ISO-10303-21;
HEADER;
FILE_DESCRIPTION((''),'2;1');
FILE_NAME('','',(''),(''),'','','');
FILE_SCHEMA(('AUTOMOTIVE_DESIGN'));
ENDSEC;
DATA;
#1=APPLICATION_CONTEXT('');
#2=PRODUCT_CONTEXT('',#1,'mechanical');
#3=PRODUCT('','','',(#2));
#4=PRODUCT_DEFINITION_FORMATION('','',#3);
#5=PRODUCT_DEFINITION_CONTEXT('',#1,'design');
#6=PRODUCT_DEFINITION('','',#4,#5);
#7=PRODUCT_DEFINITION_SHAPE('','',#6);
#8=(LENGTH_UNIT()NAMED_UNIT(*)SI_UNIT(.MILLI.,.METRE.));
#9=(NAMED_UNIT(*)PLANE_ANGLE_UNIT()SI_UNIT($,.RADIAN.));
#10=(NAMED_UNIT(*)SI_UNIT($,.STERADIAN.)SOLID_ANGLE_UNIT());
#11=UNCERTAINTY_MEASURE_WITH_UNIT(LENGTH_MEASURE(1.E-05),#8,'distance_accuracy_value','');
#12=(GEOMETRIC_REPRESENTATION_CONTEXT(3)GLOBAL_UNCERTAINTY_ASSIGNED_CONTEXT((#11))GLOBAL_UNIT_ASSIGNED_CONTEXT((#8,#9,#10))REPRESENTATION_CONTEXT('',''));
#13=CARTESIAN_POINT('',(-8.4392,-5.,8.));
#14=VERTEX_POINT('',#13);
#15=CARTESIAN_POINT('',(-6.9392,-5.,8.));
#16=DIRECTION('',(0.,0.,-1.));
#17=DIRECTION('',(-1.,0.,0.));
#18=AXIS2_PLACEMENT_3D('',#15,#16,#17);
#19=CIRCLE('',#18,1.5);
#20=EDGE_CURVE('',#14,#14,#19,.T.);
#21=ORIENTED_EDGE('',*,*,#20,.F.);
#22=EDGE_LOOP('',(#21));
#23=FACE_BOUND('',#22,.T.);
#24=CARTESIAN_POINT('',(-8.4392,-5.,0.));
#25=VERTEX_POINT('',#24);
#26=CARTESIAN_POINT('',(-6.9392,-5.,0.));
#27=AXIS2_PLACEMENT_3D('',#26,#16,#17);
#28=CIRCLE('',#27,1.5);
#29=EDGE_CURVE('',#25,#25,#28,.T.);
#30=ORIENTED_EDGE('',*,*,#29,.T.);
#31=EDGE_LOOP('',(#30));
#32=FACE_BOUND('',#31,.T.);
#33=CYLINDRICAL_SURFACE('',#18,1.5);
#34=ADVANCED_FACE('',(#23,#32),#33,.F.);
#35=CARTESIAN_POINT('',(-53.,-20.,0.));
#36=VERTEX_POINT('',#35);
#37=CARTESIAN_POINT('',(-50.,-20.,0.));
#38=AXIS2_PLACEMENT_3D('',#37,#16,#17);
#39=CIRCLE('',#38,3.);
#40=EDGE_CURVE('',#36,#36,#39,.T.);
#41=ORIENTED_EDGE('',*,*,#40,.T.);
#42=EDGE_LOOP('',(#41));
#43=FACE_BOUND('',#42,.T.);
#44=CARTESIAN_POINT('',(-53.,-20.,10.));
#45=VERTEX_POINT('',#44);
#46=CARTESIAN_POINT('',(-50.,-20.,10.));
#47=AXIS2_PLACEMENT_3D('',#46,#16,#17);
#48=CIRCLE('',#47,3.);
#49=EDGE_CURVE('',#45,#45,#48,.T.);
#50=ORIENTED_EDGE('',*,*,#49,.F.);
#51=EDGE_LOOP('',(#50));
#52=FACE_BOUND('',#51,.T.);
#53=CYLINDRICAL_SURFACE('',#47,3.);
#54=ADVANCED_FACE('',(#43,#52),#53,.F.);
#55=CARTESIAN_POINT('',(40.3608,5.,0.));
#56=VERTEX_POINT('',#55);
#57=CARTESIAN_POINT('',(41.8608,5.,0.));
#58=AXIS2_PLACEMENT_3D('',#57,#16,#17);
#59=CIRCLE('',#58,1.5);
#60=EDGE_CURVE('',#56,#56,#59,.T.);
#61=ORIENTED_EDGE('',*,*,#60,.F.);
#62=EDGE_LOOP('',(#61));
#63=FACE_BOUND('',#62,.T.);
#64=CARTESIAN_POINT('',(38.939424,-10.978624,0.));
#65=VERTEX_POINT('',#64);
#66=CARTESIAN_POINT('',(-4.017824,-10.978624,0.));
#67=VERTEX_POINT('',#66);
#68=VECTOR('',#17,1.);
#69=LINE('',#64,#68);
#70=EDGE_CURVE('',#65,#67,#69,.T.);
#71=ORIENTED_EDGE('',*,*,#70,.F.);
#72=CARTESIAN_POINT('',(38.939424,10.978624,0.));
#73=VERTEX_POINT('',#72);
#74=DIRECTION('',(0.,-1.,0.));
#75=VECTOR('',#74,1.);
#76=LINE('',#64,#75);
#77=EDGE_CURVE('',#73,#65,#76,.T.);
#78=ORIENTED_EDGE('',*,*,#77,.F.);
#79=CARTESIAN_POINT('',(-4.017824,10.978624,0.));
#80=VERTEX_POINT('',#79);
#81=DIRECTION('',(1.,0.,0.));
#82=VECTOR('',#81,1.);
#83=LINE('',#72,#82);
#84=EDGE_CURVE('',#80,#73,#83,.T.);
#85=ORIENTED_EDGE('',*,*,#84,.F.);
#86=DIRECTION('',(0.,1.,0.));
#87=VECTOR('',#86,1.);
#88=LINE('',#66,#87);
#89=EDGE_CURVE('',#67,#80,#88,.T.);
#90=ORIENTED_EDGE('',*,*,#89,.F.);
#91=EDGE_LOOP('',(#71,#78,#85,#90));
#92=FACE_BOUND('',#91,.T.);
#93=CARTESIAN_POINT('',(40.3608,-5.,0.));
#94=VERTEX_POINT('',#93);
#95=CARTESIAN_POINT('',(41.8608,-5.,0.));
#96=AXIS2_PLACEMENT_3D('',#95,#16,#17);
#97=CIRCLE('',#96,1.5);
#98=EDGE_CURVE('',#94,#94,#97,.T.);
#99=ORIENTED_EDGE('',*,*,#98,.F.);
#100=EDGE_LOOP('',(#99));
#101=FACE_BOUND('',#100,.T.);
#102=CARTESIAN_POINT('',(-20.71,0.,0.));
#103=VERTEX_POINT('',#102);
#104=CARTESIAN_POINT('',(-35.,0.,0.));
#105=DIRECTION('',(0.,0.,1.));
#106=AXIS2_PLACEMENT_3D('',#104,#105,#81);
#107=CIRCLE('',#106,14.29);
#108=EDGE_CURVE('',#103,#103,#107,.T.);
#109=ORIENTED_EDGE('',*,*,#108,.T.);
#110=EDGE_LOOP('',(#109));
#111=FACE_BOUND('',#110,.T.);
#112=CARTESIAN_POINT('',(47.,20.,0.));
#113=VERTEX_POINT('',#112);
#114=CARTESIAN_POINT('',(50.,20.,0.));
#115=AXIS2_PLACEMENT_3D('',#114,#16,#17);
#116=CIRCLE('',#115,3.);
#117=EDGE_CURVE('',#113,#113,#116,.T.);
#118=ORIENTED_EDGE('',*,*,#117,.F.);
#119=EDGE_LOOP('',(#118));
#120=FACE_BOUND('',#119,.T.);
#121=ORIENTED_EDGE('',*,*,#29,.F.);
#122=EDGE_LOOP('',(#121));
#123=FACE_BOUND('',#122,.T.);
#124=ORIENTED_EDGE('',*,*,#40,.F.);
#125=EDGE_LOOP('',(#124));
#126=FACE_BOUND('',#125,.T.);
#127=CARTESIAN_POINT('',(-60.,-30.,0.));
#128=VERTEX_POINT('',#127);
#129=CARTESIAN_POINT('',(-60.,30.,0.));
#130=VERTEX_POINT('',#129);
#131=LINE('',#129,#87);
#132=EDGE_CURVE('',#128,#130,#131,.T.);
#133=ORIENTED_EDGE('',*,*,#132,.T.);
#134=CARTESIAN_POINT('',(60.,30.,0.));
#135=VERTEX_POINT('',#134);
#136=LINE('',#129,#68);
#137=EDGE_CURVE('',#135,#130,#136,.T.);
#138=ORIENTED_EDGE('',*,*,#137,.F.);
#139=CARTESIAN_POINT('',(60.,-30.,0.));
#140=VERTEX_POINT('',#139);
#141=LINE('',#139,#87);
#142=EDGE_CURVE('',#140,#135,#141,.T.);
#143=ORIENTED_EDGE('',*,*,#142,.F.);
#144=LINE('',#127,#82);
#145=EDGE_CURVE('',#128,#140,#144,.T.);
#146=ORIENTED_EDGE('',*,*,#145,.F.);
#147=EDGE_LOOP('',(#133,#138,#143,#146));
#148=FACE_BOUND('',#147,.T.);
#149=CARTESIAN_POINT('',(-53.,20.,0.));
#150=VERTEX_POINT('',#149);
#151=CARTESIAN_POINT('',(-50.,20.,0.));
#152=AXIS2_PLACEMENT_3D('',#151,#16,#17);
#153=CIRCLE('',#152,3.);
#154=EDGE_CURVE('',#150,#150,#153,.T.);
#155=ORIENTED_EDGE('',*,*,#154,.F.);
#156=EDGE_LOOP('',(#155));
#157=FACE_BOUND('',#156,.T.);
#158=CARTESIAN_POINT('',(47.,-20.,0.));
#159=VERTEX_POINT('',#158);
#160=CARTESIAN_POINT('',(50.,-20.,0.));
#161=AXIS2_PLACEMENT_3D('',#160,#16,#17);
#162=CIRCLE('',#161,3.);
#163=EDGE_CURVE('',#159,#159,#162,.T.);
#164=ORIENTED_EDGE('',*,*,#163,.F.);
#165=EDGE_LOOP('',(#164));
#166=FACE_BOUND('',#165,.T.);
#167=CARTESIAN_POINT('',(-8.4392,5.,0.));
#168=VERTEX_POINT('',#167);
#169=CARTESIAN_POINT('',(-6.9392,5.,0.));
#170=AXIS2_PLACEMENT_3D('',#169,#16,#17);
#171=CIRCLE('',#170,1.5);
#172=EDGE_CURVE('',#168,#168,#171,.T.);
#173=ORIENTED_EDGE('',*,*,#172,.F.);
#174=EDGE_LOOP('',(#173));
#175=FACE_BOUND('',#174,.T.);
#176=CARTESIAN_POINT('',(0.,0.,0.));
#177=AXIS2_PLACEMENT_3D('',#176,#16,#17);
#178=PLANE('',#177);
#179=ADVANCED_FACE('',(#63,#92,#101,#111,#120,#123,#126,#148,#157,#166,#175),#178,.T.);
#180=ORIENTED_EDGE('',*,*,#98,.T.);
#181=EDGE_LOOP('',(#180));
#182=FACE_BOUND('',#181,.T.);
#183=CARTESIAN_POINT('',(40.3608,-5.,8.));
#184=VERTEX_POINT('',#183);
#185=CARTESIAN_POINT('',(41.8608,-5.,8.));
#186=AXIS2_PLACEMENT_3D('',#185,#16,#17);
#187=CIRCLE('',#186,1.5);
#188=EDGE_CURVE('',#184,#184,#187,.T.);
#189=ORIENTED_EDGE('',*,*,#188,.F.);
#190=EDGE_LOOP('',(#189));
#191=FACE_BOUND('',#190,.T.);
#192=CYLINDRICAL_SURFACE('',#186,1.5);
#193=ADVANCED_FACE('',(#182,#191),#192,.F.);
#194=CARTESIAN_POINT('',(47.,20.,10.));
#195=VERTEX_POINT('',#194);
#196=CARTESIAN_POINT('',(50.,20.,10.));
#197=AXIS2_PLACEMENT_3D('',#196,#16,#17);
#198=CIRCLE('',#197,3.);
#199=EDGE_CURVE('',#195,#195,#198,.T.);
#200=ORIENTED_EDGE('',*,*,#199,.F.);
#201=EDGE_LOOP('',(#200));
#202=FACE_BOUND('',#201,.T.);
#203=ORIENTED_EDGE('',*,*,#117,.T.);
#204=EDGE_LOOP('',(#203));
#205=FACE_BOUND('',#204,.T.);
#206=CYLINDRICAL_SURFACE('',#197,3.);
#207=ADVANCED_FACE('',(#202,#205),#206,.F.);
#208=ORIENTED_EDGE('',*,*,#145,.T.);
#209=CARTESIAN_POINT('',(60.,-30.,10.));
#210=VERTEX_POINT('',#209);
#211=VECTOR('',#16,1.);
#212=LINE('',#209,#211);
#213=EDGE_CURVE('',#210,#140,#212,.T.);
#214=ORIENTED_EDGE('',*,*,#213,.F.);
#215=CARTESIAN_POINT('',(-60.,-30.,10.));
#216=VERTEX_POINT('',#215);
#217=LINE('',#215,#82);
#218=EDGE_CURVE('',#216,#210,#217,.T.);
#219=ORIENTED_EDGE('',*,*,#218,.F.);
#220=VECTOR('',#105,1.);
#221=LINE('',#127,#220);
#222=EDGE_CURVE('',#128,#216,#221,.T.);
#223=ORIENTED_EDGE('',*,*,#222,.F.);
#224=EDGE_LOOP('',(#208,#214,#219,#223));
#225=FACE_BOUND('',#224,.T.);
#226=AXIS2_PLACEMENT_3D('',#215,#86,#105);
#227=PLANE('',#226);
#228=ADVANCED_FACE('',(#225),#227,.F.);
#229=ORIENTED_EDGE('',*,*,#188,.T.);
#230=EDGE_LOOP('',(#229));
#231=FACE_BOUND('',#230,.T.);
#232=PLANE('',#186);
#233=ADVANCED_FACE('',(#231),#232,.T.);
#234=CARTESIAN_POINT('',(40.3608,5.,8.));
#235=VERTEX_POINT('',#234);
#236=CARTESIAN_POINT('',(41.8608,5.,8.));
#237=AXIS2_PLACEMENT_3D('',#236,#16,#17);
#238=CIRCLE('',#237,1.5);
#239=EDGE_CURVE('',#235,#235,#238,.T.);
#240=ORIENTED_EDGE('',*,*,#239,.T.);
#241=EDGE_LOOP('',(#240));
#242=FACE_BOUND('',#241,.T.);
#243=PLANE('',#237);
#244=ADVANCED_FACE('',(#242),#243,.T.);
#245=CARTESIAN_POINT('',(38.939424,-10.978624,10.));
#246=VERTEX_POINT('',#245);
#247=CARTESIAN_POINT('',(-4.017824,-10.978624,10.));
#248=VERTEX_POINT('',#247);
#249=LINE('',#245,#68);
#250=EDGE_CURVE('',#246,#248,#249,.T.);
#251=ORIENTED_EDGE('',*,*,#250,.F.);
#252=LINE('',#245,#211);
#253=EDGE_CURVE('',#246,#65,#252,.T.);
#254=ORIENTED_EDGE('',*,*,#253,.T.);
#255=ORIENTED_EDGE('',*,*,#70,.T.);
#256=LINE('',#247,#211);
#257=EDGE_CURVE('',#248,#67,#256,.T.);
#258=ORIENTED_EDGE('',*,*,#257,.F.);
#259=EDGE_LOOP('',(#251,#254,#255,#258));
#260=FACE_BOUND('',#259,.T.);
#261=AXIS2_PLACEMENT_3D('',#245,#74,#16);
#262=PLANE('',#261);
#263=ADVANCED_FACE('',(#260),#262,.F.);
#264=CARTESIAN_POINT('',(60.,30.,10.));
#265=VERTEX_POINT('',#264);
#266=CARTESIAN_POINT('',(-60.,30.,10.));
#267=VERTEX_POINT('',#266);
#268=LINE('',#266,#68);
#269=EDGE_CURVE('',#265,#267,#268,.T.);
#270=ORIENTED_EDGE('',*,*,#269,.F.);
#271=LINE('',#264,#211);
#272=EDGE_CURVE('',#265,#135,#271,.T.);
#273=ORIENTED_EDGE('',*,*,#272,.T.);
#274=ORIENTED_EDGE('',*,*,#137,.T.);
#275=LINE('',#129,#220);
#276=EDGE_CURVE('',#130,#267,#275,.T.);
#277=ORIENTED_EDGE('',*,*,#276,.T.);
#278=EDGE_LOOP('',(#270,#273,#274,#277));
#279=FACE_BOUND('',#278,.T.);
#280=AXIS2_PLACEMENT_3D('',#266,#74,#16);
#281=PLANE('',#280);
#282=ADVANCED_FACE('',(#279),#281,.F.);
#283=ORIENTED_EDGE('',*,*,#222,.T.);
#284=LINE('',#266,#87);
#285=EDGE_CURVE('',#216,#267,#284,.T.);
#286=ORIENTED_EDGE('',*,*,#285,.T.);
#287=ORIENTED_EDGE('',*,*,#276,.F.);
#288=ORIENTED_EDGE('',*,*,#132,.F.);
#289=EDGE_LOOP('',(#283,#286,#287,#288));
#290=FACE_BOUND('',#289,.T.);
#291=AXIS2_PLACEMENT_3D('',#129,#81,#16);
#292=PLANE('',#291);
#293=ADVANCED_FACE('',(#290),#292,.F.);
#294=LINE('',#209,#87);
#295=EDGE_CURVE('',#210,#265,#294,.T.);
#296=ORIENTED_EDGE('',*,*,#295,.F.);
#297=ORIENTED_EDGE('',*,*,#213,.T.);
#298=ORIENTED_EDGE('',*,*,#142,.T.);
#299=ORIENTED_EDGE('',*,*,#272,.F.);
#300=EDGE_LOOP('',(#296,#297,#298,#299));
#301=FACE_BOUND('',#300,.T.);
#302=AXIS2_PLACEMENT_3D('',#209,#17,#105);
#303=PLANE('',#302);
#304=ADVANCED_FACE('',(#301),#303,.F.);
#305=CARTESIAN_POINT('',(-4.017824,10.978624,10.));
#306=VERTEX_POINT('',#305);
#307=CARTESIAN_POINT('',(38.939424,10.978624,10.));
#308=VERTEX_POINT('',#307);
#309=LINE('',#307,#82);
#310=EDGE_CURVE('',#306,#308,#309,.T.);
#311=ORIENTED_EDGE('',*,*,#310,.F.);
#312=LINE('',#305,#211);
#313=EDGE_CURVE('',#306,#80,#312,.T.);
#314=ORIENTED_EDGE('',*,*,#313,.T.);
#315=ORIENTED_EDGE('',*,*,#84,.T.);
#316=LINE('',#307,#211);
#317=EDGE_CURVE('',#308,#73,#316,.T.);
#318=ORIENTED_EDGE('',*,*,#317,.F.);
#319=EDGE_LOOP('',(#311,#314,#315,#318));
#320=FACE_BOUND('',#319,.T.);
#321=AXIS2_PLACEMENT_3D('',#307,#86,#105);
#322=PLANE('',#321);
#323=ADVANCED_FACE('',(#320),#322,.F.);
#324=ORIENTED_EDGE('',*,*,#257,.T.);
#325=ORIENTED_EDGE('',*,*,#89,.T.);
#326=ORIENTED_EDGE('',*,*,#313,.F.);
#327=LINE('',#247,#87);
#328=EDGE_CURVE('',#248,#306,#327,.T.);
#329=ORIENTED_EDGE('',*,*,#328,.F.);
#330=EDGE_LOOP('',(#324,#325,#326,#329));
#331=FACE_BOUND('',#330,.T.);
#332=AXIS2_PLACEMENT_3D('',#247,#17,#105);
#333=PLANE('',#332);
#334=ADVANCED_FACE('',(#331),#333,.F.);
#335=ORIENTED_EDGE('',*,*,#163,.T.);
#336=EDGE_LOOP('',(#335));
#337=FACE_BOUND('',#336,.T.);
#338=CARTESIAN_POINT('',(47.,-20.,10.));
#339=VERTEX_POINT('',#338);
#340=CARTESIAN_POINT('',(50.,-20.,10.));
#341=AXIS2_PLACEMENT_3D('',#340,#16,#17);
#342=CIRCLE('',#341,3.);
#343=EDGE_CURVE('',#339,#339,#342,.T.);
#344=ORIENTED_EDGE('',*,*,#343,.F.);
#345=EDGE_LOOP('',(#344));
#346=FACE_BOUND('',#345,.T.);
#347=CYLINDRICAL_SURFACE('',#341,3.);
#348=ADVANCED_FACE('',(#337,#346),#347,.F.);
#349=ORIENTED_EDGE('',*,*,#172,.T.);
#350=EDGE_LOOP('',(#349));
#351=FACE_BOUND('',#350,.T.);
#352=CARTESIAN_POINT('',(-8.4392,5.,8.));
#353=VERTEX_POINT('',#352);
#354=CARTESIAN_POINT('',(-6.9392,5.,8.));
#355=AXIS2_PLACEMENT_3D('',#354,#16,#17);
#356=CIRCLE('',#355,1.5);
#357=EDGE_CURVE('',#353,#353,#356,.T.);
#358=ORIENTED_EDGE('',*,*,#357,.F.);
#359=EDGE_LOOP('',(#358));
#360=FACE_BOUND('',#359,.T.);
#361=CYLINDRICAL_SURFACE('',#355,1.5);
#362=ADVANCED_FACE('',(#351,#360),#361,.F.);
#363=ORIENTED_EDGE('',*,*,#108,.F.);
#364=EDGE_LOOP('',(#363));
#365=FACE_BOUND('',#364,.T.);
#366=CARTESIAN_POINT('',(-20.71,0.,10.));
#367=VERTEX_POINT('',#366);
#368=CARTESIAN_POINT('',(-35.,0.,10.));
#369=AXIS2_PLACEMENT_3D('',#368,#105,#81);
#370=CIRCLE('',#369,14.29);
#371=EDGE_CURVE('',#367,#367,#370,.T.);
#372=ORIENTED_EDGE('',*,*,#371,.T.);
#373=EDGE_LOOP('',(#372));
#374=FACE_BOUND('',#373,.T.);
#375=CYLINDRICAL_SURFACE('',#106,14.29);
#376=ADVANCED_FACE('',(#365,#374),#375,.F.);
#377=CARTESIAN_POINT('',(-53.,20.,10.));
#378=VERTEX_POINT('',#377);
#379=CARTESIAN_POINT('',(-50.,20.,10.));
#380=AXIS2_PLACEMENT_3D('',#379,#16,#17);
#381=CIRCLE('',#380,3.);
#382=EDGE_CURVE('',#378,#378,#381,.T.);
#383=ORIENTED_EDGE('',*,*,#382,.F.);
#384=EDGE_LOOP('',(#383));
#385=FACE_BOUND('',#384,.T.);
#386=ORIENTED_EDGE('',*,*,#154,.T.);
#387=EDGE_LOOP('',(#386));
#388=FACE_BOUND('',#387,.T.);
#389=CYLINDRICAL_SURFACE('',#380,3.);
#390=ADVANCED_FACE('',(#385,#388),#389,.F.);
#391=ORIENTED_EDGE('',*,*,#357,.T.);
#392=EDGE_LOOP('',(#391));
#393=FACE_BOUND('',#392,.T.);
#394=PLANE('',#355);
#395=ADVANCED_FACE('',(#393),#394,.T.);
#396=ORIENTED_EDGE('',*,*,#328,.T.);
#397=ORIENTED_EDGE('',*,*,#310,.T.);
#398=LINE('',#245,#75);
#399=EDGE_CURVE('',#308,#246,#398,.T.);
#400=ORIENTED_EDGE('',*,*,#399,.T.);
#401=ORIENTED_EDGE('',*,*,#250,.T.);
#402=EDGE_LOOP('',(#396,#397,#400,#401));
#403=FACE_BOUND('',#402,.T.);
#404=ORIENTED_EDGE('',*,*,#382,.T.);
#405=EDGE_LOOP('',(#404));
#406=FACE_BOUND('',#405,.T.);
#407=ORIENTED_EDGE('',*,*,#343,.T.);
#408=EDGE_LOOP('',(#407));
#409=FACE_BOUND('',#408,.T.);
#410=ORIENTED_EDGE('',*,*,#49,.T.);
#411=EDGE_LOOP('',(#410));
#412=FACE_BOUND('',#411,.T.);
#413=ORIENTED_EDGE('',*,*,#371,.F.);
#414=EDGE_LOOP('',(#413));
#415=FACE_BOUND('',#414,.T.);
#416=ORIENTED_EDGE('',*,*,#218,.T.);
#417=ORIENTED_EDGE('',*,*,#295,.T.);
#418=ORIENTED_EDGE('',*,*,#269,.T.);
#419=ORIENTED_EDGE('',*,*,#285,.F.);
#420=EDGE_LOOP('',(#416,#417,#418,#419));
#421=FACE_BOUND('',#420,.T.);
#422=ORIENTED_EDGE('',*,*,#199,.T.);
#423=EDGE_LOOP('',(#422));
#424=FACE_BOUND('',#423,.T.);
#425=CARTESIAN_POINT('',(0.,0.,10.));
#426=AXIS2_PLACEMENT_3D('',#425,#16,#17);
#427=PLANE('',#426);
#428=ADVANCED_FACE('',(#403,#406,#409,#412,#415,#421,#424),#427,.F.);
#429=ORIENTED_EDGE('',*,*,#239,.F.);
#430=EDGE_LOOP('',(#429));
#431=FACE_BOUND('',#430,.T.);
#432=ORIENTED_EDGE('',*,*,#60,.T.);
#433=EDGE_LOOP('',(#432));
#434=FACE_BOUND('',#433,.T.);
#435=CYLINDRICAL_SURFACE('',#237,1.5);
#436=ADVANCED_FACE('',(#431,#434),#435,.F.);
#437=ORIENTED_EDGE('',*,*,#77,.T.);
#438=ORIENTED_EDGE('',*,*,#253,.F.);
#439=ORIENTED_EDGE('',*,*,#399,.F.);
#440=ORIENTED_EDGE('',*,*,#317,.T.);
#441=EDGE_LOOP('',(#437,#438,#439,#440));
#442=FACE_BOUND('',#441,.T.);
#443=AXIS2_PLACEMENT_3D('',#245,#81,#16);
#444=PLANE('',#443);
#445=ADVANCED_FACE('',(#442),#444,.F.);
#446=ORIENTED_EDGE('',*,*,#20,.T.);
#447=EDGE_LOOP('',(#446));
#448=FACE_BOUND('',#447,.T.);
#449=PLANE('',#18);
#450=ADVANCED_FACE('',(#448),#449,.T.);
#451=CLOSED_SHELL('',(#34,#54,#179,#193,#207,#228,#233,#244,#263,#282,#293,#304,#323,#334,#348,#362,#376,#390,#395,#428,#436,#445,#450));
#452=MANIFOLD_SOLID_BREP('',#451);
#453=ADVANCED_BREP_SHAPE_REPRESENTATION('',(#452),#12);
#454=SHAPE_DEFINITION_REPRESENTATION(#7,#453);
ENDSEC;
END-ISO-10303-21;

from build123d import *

# Parameters (mm, degrees)
CROQUIS1_W              = 120
CROQUIS1_H              = 60
SALIENTE_EXTRUIR1_DEPTH = 10
CROQUIS2_R              = 14.29
CROQUIS2_R_2            = 4.5
CORTAR_EXTRUIR1_DEPTH   = 68.823299831
CROQUIS3_W              = 42.957247878
CROQUIS3_H              = 21.957247878
CORTAR_EXTRUIR2_DEPTH   = 68.823299831
CROQUIS4_R              = 1.5
CORTAR_EXTRUIR3_DEPTH   = 8
CROQUIS5_W              = 40
CROQUIS5_H              = 60
SALIENTE_EXTRUIR2_DEPTH = 10
CROQUIS6_R              = 14.29
CORTAR_EXTRUIR4_DEPTH   = 105.880884817
CROQUIS7_W              = 40
CROQUIS7_H              = 60
CORTAR_EXTRUIR5_DEPTH   = 105.880884817
CROQUIS8_R              = 3
CORTAR_EXTRUIR6_DEPTH   = 68.823299831


with BuildPart() as part:
    # Croquis1 → Saliente-Extruir1 (new body)
    with BuildSketch(Plane.XY):
        Rectangle(CROQUIS1_W, CROQUIS1_H)
    extrude(amount=SALIENTE_EXTRUIR1_DEPTH)

    # Croquis2 → Cortar-Extruir1 (cut, through all)
    with BuildSketch(Plane.XY.offset(10)):
        with Locations((-35, 0)):
            Circle(CROQUIS2_R)
        with Locations((6.9608, 0)):
            Circle(CROQUIS2_R_2)
    extrude(amount=-CORTAR_EXTRUIR1_DEPTH, mode=Mode.SUBTRACT)

    # Croquis3 → Cortar-Extruir2 (cut, through all)
    with BuildSketch(Plane(origin=(0, 0, 0), x_dir=(-1, 0, 0), z_dir=(0, 0, -1))):
        with Locations((-17.4608, 0)):
            Rectangle(CROQUIS3_W, CROQUIS3_H)
    extrude(amount=-CORTAR_EXTRUIR2_DEPTH, mode=Mode.SUBTRACT)

    # Croquis4 → Cortar-Extruir3 (cut)
    with BuildSketch(Plane(origin=(0, 0, 0), x_dir=(-1, 0, 0), z_dir=(0, 0, -1))):
        with Locations((-41.8608, 5)):
            Circle(CROQUIS4_R)
        with Locations((6.9392, 5)):
            Circle(CROQUIS4_R)
        with Locations((6.9392, -5)):
            Circle(CROQUIS4_R)
        with Locations((-41.8608, -5)):
            Circle(CROQUIS4_R)
    extrude(amount=-CORTAR_EXTRUIR3_DEPTH, mode=Mode.SUBTRACT)

    # Croquis5 → Saliente-Extruir2 (add, through all)
    with BuildSketch(Plane.XY.offset(10)):
        with Locations((-80, 0)):
            Rectangle(CROQUIS5_W, CROQUIS5_H)
    extrude(amount=-SALIENTE_EXTRUIR2_DEPTH)

    # Croquis6 → Cortar-Extruir4 (cut, through all)
    with BuildSketch(Plane.XY.offset(10)):
        with Locations((-78.2308, 0)):
            Circle(CROQUIS6_R)
    extrude(amount=-CORTAR_EXTRUIR4_DEPTH, mode=Mode.SUBTRACT)

    # Croquis7 → Cortar-Extruir5 (cut, through all)
    with BuildSketch(Plane.XY.offset(10)):
        with Locations((-80, 0)):
            Rectangle(CROQUIS7_W, CROQUIS7_H)
    extrude(amount=-CORTAR_EXTRUIR5_DEPTH, mode=Mode.SUBTRACT)

    # Croquis8 → Cortar-Extruir6 (cut, through all)
    with BuildSketch(Plane(origin=(0, 0, 0), x_dir=(-1, 0, 0), z_dir=(0, 0, -1))):
        with Locations((-50, 20)):
            Circle(CROQUIS8_R)
        with Locations((50, 20)):
            Circle(CROQUIS8_R)
        with Locations((50, -20)):
            Circle(CROQUIS8_R)
        with Locations((-50, -20)):
            Circle(CROQUIS8_R)
    extrude(amount=-CORTAR_EXTRUIR6_DEPTH, mode=Mode.SUBTRACT)


solid = part.part
